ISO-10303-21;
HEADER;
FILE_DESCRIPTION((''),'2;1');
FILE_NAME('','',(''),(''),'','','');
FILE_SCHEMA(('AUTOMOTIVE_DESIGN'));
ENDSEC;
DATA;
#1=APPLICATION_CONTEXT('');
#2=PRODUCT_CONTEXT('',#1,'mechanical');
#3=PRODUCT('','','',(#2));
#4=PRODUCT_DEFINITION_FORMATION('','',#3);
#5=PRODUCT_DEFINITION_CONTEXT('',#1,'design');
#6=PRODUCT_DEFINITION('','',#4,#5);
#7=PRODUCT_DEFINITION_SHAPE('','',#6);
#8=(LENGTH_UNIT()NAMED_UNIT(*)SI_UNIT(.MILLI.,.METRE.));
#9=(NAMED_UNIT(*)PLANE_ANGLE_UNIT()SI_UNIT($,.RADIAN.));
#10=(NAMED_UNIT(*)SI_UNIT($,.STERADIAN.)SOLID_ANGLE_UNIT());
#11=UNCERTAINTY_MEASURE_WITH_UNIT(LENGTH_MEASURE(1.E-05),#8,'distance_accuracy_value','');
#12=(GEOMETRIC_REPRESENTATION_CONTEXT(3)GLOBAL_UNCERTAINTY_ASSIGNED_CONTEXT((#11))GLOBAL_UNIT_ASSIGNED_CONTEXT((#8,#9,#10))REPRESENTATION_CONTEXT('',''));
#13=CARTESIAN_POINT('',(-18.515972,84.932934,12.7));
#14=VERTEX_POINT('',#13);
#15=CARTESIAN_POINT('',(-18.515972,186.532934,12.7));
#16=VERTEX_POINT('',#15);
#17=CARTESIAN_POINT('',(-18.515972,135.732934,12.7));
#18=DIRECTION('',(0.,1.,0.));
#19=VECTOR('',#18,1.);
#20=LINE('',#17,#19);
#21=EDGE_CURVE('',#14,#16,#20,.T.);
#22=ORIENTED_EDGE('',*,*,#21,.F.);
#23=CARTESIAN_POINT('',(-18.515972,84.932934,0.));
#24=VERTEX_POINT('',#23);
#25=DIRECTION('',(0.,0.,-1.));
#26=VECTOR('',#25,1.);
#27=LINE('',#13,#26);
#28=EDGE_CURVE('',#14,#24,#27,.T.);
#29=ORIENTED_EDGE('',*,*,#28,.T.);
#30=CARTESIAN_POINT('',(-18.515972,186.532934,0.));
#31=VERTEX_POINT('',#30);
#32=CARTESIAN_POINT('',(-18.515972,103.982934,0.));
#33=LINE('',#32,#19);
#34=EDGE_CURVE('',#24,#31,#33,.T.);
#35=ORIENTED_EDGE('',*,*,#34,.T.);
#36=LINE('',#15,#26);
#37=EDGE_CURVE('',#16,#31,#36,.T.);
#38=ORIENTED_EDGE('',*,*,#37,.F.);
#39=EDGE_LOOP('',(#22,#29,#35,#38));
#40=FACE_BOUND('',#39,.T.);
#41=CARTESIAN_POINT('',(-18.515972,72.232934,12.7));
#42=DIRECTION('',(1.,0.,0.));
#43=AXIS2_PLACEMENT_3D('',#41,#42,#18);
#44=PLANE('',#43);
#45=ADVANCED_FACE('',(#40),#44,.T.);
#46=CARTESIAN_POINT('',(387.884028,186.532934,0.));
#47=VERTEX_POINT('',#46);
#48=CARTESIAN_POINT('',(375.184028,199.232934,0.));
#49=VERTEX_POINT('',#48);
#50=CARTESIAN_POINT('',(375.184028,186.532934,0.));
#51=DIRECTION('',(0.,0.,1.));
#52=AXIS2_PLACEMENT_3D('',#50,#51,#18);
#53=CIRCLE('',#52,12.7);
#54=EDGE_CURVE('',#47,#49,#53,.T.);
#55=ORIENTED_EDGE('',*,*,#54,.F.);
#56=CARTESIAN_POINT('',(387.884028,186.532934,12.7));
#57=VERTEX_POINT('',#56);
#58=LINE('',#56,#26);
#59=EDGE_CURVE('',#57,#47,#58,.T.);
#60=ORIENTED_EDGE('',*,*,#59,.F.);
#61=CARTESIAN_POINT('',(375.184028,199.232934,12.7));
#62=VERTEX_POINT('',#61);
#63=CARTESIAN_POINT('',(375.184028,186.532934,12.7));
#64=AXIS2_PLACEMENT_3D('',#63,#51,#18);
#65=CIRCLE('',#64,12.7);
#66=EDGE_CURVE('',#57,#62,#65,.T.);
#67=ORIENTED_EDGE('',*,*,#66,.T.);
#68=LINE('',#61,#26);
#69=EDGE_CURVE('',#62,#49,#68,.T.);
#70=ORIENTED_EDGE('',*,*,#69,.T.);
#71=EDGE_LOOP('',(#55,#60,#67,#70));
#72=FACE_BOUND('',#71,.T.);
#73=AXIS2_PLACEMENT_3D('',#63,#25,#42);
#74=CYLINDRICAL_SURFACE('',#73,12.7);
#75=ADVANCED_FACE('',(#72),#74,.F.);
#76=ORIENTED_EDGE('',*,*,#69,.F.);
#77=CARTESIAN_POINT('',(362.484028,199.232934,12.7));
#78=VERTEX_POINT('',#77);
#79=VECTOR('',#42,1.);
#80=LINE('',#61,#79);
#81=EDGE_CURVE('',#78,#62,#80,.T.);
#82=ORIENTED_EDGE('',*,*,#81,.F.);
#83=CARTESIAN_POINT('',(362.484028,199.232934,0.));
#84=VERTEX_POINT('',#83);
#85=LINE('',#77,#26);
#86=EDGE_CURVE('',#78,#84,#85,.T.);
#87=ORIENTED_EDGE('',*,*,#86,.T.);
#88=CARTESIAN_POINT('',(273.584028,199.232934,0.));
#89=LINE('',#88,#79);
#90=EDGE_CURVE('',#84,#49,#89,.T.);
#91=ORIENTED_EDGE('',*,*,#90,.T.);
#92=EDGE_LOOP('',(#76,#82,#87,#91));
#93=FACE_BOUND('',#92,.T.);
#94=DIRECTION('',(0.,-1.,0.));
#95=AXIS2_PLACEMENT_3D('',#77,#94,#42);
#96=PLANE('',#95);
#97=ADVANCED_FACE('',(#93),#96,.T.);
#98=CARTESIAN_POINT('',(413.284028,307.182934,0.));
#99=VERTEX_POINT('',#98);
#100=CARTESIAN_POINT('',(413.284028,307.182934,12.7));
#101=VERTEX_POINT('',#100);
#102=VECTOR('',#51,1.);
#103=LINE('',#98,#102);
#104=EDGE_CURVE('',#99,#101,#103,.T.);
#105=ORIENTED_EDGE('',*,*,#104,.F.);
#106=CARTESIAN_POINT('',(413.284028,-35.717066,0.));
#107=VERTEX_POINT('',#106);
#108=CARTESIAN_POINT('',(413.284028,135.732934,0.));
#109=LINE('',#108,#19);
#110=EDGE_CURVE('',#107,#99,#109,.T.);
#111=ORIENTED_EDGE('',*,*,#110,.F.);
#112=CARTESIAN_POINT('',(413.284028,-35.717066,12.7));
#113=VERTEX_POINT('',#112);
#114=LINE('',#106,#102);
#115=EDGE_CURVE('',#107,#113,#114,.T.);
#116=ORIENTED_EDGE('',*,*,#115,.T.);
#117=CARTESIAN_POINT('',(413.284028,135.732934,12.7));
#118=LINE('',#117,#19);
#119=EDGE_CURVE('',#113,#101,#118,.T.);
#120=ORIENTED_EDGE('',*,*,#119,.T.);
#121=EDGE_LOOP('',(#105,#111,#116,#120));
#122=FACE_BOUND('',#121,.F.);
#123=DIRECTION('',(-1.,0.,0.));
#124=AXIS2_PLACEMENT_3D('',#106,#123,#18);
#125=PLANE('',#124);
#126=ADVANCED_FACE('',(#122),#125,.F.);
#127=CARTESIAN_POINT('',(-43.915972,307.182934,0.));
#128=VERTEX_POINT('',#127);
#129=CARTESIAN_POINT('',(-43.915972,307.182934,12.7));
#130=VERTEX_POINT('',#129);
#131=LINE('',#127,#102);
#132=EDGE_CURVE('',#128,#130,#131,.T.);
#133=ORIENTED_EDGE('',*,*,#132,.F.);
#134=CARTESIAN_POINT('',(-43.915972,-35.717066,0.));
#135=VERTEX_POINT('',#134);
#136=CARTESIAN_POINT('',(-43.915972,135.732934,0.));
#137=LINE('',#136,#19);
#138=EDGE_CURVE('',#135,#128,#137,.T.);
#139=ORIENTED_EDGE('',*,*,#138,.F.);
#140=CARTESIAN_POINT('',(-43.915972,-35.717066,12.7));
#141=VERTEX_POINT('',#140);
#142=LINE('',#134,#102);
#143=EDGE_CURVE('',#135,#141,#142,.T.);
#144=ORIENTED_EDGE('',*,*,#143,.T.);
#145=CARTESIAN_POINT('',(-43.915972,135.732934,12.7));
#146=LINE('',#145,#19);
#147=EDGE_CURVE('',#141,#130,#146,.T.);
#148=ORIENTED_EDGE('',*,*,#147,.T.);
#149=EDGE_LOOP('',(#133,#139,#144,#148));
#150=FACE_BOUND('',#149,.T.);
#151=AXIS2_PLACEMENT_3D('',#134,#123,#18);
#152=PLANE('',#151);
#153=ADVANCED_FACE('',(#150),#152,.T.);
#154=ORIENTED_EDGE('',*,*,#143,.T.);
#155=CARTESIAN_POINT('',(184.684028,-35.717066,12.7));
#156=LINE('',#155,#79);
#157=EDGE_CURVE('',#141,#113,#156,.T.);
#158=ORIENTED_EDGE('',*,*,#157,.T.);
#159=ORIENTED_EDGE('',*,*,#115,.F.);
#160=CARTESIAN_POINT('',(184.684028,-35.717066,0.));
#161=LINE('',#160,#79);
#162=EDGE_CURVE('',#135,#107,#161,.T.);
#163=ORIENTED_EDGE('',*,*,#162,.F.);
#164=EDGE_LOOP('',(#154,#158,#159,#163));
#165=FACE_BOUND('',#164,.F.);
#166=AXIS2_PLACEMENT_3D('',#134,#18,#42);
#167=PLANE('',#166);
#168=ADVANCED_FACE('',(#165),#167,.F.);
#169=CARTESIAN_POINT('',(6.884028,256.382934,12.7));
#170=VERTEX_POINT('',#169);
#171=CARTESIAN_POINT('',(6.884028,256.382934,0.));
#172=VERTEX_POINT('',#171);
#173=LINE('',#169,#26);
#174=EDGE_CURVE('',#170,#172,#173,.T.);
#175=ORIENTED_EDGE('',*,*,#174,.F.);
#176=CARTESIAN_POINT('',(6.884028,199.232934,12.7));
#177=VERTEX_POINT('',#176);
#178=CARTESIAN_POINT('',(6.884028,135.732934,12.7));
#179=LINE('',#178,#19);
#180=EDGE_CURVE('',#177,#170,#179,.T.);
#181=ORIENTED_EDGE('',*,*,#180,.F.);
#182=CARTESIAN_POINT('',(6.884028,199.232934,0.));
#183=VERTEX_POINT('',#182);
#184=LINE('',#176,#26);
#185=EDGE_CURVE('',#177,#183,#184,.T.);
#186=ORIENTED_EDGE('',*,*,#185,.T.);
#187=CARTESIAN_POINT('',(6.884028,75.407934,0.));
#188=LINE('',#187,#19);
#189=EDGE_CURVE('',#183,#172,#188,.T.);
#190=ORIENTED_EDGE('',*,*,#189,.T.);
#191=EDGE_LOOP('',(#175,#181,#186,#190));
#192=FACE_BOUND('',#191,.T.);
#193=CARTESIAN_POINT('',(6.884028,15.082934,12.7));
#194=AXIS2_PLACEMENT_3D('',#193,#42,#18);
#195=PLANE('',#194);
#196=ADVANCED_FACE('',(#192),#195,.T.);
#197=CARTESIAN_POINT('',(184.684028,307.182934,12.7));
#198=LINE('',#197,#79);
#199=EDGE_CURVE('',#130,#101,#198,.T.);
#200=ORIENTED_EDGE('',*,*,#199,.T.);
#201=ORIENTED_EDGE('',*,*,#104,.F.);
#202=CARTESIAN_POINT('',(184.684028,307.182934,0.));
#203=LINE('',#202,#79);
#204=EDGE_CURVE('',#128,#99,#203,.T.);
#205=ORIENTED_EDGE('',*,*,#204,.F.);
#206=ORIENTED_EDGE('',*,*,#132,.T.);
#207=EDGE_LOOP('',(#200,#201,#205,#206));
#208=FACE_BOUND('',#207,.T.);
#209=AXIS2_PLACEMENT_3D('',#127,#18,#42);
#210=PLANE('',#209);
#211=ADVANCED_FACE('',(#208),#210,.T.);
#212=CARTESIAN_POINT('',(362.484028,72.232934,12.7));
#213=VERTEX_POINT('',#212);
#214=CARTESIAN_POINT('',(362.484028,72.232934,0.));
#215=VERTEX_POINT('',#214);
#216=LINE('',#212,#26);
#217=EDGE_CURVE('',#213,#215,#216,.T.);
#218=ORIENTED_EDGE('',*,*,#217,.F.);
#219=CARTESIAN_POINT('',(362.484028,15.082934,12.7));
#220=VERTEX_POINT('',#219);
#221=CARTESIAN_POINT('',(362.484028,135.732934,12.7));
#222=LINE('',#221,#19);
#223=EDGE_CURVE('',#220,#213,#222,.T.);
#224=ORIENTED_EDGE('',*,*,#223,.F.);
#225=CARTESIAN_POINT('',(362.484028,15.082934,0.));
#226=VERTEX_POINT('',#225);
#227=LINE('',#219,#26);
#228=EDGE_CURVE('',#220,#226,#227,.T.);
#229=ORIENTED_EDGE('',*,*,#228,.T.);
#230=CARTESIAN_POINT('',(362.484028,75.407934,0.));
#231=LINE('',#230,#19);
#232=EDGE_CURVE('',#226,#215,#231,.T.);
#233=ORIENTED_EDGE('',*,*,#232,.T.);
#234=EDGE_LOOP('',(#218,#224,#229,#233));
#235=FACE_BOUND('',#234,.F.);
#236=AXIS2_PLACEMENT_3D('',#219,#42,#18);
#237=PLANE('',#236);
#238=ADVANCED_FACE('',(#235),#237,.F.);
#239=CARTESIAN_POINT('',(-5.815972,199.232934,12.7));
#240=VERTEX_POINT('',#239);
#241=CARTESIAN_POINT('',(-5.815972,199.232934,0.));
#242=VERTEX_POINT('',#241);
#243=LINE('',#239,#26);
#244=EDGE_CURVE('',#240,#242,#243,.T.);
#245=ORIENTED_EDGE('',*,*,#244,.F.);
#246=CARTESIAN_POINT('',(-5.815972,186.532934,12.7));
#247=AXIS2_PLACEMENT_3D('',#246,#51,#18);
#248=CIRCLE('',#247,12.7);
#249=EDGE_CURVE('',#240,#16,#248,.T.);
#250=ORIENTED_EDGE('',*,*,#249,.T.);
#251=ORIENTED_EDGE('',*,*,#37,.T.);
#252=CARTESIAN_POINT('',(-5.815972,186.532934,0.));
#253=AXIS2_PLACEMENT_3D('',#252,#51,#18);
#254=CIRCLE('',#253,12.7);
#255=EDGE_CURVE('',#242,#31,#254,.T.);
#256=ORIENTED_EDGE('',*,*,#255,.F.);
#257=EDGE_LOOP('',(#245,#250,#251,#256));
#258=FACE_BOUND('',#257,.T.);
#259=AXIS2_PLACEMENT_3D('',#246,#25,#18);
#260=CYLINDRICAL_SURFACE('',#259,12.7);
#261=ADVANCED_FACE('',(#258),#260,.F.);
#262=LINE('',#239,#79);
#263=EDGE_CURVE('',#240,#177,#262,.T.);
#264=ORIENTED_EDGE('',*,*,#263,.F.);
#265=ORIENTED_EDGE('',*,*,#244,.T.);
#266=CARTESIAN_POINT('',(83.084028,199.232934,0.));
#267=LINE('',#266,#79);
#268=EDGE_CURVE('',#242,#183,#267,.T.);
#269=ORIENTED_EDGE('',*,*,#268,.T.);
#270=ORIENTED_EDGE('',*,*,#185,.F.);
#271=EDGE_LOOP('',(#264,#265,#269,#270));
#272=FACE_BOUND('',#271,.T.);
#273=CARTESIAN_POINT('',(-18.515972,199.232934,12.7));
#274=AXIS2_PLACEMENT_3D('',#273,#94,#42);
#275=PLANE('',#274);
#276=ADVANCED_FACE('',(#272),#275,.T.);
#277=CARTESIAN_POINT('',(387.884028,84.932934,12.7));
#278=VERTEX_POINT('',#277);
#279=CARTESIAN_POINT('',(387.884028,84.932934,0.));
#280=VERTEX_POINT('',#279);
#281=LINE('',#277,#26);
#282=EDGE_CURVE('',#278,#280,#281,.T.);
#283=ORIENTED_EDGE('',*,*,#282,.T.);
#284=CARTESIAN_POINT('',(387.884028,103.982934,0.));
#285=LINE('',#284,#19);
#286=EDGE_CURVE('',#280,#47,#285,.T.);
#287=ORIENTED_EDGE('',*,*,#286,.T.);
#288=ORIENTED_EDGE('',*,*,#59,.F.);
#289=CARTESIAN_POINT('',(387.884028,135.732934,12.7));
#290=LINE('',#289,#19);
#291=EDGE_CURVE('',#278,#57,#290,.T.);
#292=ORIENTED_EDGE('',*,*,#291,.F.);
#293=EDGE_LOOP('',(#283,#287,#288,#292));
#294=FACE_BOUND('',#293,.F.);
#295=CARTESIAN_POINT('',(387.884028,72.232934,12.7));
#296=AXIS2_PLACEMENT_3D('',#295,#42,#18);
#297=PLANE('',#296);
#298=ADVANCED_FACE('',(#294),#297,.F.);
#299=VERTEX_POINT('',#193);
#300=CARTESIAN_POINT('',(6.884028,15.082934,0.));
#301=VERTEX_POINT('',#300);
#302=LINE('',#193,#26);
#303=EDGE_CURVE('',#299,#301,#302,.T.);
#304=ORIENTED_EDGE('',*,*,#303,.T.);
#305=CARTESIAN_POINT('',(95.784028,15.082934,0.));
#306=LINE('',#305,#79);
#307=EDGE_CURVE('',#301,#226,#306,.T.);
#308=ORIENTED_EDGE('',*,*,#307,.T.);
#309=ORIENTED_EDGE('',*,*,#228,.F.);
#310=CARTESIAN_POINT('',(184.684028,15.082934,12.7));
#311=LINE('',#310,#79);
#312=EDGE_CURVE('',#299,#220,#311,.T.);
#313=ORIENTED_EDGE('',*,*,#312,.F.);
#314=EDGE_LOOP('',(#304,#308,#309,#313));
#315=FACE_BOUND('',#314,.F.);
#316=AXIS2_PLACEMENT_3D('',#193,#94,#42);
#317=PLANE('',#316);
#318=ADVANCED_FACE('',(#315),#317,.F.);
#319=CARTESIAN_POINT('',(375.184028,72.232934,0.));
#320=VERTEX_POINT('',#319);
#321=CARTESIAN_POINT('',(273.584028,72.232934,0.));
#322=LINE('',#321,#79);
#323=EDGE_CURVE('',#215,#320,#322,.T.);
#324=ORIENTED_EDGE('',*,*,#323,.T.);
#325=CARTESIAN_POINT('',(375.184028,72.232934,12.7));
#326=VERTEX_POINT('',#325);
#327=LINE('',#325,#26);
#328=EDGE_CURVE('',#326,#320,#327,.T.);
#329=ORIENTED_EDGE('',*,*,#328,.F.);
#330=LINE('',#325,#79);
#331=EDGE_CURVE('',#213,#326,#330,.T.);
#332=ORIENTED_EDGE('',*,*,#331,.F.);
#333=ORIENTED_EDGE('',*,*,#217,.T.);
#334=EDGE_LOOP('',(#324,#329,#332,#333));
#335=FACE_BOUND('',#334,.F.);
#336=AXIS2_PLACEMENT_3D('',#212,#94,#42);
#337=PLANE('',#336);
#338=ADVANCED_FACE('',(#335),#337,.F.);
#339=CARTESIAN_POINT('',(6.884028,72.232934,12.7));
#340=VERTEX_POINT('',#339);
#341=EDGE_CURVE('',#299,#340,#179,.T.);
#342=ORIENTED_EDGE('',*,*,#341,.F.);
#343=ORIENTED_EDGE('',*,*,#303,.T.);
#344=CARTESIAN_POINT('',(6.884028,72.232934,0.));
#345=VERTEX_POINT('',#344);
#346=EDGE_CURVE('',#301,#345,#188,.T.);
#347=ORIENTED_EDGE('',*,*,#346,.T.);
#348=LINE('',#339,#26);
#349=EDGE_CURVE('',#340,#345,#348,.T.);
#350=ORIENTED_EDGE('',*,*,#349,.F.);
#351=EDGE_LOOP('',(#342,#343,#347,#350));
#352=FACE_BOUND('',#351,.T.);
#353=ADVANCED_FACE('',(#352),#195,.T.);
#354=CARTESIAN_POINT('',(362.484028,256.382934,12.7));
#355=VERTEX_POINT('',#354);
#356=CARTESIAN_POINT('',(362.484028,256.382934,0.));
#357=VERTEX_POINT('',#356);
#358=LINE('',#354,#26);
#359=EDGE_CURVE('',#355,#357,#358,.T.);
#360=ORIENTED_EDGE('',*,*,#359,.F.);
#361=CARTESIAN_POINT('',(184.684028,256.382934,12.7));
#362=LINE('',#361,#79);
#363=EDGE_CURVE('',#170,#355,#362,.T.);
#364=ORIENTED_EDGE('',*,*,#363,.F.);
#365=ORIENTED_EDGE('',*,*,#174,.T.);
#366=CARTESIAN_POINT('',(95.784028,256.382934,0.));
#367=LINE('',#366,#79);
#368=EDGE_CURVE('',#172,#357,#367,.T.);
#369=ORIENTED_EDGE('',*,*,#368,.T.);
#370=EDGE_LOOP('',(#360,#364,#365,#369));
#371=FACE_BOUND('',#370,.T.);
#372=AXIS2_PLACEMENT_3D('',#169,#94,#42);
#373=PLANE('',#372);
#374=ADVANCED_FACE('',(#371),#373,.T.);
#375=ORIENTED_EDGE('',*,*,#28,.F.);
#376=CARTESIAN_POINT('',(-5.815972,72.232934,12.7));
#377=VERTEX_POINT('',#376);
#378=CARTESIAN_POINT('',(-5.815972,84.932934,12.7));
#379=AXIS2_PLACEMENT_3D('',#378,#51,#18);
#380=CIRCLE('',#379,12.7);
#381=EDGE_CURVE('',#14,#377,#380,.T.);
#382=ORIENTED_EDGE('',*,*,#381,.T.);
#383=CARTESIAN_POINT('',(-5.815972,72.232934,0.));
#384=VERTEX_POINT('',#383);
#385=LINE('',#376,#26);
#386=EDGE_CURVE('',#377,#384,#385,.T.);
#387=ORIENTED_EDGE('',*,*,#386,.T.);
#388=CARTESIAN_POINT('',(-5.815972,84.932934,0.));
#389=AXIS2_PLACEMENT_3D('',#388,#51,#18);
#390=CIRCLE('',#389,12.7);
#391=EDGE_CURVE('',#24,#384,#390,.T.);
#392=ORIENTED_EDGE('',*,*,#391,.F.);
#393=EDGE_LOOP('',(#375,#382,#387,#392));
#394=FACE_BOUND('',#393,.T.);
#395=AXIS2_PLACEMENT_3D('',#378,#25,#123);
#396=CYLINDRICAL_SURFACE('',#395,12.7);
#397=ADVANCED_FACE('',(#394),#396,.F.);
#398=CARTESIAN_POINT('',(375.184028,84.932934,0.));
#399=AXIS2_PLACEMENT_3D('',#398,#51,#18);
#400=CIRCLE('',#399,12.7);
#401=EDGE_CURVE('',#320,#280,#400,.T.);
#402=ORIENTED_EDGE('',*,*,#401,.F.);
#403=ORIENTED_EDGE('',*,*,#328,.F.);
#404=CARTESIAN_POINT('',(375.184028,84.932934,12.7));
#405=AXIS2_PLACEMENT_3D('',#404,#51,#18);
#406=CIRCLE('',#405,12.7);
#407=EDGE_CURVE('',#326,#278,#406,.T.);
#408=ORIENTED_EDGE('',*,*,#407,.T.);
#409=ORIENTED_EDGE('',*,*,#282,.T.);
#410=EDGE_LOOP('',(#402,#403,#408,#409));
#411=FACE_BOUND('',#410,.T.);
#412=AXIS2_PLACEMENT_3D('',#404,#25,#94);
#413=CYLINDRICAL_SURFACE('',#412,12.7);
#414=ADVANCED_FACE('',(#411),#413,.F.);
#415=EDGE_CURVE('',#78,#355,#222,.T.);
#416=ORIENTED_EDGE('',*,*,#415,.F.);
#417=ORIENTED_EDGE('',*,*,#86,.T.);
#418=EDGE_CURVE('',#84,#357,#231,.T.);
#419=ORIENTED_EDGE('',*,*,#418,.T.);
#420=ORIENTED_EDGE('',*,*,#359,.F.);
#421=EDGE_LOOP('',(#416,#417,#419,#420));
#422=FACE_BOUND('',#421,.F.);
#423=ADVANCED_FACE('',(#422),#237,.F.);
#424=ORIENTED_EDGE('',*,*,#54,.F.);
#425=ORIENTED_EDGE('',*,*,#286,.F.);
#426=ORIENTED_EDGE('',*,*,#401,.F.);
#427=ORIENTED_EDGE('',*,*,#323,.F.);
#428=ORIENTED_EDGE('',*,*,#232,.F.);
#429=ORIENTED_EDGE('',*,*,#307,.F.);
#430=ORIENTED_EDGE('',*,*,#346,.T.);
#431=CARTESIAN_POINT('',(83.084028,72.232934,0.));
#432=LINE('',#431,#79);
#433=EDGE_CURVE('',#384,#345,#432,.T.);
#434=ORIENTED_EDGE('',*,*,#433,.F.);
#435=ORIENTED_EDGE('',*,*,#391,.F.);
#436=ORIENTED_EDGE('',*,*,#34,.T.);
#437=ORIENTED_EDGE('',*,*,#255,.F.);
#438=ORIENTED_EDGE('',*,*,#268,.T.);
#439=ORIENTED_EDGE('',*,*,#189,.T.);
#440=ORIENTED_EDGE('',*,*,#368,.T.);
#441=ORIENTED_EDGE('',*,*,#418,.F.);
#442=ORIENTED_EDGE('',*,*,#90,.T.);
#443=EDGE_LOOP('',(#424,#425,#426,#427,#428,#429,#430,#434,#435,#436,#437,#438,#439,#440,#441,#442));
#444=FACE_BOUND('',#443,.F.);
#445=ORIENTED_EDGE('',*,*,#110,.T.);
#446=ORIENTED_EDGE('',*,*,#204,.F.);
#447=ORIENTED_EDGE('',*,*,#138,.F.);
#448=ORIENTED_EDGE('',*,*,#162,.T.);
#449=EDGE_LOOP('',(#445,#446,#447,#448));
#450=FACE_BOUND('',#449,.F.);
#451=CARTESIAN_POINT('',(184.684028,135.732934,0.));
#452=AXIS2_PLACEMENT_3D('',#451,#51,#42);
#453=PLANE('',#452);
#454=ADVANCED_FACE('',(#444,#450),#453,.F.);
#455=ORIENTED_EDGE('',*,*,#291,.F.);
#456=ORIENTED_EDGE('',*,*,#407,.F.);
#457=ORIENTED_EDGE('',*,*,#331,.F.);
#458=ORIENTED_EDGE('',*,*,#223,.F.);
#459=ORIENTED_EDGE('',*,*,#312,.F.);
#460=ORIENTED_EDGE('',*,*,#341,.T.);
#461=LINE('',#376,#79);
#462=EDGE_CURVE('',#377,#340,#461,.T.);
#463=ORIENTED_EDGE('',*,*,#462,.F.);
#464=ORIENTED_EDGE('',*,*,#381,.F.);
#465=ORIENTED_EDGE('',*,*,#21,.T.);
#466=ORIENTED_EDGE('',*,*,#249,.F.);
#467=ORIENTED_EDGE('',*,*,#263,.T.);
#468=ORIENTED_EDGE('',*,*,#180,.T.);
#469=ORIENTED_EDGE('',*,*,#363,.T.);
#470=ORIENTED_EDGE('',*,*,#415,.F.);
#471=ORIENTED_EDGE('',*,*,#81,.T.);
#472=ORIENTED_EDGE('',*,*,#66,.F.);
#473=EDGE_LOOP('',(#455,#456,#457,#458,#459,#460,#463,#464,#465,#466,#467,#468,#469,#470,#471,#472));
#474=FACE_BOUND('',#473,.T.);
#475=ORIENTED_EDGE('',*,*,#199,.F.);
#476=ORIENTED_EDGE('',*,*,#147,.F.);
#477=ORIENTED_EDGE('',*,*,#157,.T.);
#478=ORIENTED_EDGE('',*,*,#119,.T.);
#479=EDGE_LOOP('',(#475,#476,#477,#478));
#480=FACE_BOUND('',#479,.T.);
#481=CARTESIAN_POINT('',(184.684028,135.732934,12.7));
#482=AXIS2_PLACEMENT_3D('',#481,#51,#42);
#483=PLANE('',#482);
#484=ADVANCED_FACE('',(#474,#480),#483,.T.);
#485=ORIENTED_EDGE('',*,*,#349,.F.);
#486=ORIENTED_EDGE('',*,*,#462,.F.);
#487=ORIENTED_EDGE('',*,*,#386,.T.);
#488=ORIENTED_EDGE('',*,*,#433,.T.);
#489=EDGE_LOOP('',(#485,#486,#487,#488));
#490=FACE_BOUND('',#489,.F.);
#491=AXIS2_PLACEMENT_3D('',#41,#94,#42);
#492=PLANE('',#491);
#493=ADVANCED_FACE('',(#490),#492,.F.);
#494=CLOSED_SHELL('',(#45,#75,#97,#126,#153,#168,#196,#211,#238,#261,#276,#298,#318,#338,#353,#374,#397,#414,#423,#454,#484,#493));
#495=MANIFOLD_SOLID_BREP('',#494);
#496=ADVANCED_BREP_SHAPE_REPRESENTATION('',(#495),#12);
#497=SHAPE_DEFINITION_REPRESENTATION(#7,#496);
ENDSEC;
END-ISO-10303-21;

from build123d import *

# Parameters (mm, degrees)
F0_W     = 457.2
F0_H     = 342.9
F1_DEPTH = 12.7
F2_W     = 355.6
F2_H     = 241.3
F3_DEPTH = 25.4
F4_W     = 25.4
F4_H     = 127
F5_DEPTH = 25.4
F6_R     = 12.7


with BuildPart() as f1:
    # F0 (on Top) → F1 (new body)
    with BuildSketch(Plane.XY):
        with Locations((184.6840278864, 135.7329336226)):
            Rectangle(F0_W, F0_H)
    extrude(amount=F1_DEPTH)

    # F2 (on face) → F3 (cut)
    with BuildSketch(Plane.XY.offset(12.7)):
        with Locations((184.6840278864, 135.7329336226)):
            Rectangle(F2_W, F2_H)
    extrude(amount=-F3_DEPTH, mode=Mode.SUBTRACT)

    # F4 (on face) → F5 (cut)
    with BuildSketch(Plane.XY.offset(12.7)):
        with Locations((-5.8159721136, 135.7329336226)):
            Rectangle(F4_W, F4_H)
        with Locations((375.1840278864, 135.7329336226)):
            Rectangle(F4_W, F4_H)
    extrude(amount=-F5_DEPTH, mode=Mode.SUBTRACT)

    # F6
    f6_edges = [f1.edges().sort_by_distance(p)[0] for p in [
        (-18.515972, 199.232934, 6.35),
        (387.884028, 199.232934, 6.35),
        (-18.515972, 72.232934, 6.35),
        (387.884028, 72.232934, 6.35),
    ]]
    fillet(f6_edges, radius=F6_R)


solid = f1.part
